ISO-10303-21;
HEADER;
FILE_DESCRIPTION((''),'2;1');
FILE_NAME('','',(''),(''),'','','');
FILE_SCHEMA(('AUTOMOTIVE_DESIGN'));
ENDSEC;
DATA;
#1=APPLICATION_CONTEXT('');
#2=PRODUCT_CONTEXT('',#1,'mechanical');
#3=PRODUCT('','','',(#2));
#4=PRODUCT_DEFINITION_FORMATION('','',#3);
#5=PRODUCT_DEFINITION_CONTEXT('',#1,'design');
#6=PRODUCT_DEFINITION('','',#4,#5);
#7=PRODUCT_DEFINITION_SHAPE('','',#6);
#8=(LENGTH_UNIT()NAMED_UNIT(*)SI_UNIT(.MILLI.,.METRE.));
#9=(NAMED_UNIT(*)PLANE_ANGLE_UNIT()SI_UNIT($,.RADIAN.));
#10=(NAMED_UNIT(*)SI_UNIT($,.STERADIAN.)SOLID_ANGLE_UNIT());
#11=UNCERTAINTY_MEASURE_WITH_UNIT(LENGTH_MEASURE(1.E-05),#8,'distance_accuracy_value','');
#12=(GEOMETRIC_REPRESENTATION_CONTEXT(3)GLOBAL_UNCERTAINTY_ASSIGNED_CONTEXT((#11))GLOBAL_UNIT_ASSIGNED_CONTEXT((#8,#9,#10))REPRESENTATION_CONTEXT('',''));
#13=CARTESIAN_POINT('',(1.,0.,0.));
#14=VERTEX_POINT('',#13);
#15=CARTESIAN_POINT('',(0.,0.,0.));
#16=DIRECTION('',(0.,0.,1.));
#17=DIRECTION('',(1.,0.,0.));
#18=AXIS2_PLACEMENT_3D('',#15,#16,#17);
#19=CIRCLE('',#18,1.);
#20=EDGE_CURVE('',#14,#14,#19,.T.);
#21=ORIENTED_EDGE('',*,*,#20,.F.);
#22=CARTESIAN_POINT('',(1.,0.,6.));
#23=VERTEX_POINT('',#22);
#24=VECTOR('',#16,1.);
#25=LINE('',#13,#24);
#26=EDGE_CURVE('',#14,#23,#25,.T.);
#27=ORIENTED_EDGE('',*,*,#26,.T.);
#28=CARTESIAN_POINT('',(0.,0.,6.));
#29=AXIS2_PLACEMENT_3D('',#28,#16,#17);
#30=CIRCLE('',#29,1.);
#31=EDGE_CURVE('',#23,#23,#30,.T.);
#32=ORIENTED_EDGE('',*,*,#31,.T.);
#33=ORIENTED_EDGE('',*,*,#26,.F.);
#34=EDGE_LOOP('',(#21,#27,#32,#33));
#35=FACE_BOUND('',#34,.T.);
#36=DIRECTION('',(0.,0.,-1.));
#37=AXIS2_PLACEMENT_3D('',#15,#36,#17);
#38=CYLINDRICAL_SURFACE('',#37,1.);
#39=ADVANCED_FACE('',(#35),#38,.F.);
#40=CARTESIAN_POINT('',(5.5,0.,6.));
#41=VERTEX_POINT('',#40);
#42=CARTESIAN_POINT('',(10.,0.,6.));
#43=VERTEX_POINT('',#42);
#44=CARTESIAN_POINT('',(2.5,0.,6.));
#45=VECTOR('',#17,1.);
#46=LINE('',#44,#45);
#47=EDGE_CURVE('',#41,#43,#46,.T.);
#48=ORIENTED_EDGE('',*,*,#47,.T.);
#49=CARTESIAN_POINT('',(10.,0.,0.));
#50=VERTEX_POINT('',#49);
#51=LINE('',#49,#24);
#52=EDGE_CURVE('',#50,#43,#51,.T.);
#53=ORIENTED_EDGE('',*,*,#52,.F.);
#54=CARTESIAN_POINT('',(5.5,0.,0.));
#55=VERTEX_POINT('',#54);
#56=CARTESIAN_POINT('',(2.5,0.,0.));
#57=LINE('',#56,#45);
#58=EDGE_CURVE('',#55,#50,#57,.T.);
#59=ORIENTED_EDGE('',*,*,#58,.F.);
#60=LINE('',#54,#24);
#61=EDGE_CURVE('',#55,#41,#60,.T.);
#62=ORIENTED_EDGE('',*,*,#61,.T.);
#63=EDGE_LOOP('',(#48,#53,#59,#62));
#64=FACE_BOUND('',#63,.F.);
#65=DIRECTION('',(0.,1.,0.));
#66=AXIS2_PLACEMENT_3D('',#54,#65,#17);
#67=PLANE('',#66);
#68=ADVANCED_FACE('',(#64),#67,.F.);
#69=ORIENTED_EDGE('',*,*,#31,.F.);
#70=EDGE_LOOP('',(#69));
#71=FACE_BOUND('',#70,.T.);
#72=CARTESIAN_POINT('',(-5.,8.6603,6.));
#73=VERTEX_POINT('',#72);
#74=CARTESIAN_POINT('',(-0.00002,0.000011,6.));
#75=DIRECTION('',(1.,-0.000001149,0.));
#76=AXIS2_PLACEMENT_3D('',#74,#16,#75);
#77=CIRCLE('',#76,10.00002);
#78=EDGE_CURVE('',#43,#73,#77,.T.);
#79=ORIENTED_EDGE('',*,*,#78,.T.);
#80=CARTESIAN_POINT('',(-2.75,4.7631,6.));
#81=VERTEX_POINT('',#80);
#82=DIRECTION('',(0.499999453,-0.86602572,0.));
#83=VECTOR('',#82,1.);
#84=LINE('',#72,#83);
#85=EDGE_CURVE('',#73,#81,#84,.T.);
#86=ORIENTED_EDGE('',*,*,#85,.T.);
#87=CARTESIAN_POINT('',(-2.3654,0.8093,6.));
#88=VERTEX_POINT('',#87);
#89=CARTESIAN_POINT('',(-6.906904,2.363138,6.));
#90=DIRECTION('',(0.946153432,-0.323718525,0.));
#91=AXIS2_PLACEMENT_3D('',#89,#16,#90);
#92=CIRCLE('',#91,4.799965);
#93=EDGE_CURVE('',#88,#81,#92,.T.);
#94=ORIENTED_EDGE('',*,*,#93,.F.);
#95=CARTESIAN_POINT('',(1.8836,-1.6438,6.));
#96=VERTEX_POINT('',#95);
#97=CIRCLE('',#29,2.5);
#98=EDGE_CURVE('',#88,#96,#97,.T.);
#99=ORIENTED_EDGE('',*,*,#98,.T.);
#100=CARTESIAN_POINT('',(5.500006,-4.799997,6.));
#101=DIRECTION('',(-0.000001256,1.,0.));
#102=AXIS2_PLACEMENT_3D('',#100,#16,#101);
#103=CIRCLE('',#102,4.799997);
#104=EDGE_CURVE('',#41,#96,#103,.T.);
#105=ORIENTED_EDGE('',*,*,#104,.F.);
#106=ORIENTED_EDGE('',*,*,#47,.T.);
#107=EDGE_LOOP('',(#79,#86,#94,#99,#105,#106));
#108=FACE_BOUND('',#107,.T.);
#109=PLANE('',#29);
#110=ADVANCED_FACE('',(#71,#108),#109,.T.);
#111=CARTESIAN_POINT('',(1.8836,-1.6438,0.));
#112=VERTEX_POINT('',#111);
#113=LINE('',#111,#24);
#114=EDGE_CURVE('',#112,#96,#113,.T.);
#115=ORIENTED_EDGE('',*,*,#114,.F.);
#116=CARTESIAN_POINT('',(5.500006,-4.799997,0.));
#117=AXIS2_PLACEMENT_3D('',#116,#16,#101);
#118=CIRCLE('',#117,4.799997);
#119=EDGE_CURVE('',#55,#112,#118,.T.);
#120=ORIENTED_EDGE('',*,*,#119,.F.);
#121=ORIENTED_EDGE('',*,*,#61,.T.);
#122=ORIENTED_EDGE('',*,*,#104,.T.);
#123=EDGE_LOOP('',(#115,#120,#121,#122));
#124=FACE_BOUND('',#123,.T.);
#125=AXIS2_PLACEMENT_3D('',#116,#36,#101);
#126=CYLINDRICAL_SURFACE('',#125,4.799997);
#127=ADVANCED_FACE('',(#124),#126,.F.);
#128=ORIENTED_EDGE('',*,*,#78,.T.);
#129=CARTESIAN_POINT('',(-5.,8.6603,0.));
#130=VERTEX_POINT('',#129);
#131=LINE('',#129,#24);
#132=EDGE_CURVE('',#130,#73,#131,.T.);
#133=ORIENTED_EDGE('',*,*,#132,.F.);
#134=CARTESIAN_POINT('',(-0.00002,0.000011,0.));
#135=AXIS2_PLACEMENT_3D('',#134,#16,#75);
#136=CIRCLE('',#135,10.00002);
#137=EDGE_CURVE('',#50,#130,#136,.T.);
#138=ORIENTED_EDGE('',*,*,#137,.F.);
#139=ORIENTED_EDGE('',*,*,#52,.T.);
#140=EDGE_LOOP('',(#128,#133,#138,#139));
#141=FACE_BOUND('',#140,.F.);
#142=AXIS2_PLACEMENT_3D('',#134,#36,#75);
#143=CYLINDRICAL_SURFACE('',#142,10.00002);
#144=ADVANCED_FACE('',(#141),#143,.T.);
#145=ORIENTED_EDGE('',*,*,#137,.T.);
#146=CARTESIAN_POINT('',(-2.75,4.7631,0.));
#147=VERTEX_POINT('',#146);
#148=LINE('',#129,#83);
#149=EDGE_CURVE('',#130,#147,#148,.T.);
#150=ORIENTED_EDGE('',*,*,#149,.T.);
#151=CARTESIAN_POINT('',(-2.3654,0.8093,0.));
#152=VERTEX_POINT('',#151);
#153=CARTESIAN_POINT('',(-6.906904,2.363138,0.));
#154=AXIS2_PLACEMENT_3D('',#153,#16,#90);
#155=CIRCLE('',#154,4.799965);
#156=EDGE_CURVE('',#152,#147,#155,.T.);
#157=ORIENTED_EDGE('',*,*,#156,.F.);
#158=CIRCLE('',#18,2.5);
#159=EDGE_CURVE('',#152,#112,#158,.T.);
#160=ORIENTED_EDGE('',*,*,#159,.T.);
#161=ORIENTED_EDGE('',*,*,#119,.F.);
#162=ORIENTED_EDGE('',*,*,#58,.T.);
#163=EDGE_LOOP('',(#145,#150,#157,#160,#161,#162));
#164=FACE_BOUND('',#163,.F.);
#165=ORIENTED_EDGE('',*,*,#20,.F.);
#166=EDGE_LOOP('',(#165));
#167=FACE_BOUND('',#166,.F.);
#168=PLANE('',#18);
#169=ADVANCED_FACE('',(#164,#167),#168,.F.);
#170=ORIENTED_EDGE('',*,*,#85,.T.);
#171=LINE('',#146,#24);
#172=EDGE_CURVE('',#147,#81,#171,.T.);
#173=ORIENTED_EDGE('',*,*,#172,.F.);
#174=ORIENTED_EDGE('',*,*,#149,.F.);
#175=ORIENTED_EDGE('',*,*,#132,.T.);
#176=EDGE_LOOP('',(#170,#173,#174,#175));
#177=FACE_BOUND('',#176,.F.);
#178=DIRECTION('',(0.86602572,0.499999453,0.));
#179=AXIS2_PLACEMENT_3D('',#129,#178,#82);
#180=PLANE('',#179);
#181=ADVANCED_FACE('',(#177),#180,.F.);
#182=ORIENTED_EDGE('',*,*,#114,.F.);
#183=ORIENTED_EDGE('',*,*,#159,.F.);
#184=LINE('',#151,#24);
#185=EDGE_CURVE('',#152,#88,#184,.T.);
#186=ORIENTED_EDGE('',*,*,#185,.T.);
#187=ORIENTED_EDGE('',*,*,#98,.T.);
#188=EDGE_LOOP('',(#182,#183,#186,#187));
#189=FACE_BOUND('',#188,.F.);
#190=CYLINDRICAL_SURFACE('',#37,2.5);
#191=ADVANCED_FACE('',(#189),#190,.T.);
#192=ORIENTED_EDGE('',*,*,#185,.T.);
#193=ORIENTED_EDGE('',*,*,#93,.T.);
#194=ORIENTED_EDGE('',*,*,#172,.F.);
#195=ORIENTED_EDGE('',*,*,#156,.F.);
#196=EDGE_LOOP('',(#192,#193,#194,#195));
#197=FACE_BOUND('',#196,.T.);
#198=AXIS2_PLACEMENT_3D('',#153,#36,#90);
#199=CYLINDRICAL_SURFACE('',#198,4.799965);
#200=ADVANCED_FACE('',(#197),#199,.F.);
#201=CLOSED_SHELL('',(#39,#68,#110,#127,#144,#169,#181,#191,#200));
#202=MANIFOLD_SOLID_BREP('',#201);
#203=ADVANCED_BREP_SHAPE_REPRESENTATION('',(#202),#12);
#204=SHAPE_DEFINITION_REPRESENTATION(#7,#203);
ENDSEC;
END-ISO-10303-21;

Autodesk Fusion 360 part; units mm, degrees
sketch "Sketch1" plane through (0, 0, 0) normal (0, 0, 1) x (1, 0, 0) in component "Component"
  circle A0 centre (0, 0) radius 1
  circle A1 centre (0, 0) radius 2.5
  line L0 (0, 0) -> (10, 0) construction
  line L1 (0, 0) -> (-5, 8.6603) construction
  line L2 (0, 0) -> (7.8295, 0) construction
  arc A2 (10, 0) -> (-5, 8.6603) centre (0, 0) ccw
  line L3 (-5, 8.6603) -> (-1.25, 2.1651)
  line L4 (2.5, 0) -> (10, 0)
  line L5 (-1.25, 2.1651) -> (-2.75, 4.7631) construction
  arc A3 (-2.3654, 0.8093) -> (-2.75, 4.7631) centre (-6.9069, 2.3631) ccw
  line L6 (2.5, 0) -> (5.5, 0)
  arc A4 (5.5, 0) -> (1.8836, -1.6438) centre (5.5, -4.8) ccw
  dimension "d1" = 2
  dimension "d2" = 5
  dimension "d3" = 10
  dimension "d4" = 120
  dimension "d5" = 10
  dimension "d6" = 3
  dimension "d7" = 3
extrude "Extrude1" add sketch "Sketch1" along normal blind 6 in component "Component"
component "Component" placed x (1, 0, 0) y (0, 1, 0) z (0, 0, 1) at (0, 0, 0)
equation "d5 = d3"
